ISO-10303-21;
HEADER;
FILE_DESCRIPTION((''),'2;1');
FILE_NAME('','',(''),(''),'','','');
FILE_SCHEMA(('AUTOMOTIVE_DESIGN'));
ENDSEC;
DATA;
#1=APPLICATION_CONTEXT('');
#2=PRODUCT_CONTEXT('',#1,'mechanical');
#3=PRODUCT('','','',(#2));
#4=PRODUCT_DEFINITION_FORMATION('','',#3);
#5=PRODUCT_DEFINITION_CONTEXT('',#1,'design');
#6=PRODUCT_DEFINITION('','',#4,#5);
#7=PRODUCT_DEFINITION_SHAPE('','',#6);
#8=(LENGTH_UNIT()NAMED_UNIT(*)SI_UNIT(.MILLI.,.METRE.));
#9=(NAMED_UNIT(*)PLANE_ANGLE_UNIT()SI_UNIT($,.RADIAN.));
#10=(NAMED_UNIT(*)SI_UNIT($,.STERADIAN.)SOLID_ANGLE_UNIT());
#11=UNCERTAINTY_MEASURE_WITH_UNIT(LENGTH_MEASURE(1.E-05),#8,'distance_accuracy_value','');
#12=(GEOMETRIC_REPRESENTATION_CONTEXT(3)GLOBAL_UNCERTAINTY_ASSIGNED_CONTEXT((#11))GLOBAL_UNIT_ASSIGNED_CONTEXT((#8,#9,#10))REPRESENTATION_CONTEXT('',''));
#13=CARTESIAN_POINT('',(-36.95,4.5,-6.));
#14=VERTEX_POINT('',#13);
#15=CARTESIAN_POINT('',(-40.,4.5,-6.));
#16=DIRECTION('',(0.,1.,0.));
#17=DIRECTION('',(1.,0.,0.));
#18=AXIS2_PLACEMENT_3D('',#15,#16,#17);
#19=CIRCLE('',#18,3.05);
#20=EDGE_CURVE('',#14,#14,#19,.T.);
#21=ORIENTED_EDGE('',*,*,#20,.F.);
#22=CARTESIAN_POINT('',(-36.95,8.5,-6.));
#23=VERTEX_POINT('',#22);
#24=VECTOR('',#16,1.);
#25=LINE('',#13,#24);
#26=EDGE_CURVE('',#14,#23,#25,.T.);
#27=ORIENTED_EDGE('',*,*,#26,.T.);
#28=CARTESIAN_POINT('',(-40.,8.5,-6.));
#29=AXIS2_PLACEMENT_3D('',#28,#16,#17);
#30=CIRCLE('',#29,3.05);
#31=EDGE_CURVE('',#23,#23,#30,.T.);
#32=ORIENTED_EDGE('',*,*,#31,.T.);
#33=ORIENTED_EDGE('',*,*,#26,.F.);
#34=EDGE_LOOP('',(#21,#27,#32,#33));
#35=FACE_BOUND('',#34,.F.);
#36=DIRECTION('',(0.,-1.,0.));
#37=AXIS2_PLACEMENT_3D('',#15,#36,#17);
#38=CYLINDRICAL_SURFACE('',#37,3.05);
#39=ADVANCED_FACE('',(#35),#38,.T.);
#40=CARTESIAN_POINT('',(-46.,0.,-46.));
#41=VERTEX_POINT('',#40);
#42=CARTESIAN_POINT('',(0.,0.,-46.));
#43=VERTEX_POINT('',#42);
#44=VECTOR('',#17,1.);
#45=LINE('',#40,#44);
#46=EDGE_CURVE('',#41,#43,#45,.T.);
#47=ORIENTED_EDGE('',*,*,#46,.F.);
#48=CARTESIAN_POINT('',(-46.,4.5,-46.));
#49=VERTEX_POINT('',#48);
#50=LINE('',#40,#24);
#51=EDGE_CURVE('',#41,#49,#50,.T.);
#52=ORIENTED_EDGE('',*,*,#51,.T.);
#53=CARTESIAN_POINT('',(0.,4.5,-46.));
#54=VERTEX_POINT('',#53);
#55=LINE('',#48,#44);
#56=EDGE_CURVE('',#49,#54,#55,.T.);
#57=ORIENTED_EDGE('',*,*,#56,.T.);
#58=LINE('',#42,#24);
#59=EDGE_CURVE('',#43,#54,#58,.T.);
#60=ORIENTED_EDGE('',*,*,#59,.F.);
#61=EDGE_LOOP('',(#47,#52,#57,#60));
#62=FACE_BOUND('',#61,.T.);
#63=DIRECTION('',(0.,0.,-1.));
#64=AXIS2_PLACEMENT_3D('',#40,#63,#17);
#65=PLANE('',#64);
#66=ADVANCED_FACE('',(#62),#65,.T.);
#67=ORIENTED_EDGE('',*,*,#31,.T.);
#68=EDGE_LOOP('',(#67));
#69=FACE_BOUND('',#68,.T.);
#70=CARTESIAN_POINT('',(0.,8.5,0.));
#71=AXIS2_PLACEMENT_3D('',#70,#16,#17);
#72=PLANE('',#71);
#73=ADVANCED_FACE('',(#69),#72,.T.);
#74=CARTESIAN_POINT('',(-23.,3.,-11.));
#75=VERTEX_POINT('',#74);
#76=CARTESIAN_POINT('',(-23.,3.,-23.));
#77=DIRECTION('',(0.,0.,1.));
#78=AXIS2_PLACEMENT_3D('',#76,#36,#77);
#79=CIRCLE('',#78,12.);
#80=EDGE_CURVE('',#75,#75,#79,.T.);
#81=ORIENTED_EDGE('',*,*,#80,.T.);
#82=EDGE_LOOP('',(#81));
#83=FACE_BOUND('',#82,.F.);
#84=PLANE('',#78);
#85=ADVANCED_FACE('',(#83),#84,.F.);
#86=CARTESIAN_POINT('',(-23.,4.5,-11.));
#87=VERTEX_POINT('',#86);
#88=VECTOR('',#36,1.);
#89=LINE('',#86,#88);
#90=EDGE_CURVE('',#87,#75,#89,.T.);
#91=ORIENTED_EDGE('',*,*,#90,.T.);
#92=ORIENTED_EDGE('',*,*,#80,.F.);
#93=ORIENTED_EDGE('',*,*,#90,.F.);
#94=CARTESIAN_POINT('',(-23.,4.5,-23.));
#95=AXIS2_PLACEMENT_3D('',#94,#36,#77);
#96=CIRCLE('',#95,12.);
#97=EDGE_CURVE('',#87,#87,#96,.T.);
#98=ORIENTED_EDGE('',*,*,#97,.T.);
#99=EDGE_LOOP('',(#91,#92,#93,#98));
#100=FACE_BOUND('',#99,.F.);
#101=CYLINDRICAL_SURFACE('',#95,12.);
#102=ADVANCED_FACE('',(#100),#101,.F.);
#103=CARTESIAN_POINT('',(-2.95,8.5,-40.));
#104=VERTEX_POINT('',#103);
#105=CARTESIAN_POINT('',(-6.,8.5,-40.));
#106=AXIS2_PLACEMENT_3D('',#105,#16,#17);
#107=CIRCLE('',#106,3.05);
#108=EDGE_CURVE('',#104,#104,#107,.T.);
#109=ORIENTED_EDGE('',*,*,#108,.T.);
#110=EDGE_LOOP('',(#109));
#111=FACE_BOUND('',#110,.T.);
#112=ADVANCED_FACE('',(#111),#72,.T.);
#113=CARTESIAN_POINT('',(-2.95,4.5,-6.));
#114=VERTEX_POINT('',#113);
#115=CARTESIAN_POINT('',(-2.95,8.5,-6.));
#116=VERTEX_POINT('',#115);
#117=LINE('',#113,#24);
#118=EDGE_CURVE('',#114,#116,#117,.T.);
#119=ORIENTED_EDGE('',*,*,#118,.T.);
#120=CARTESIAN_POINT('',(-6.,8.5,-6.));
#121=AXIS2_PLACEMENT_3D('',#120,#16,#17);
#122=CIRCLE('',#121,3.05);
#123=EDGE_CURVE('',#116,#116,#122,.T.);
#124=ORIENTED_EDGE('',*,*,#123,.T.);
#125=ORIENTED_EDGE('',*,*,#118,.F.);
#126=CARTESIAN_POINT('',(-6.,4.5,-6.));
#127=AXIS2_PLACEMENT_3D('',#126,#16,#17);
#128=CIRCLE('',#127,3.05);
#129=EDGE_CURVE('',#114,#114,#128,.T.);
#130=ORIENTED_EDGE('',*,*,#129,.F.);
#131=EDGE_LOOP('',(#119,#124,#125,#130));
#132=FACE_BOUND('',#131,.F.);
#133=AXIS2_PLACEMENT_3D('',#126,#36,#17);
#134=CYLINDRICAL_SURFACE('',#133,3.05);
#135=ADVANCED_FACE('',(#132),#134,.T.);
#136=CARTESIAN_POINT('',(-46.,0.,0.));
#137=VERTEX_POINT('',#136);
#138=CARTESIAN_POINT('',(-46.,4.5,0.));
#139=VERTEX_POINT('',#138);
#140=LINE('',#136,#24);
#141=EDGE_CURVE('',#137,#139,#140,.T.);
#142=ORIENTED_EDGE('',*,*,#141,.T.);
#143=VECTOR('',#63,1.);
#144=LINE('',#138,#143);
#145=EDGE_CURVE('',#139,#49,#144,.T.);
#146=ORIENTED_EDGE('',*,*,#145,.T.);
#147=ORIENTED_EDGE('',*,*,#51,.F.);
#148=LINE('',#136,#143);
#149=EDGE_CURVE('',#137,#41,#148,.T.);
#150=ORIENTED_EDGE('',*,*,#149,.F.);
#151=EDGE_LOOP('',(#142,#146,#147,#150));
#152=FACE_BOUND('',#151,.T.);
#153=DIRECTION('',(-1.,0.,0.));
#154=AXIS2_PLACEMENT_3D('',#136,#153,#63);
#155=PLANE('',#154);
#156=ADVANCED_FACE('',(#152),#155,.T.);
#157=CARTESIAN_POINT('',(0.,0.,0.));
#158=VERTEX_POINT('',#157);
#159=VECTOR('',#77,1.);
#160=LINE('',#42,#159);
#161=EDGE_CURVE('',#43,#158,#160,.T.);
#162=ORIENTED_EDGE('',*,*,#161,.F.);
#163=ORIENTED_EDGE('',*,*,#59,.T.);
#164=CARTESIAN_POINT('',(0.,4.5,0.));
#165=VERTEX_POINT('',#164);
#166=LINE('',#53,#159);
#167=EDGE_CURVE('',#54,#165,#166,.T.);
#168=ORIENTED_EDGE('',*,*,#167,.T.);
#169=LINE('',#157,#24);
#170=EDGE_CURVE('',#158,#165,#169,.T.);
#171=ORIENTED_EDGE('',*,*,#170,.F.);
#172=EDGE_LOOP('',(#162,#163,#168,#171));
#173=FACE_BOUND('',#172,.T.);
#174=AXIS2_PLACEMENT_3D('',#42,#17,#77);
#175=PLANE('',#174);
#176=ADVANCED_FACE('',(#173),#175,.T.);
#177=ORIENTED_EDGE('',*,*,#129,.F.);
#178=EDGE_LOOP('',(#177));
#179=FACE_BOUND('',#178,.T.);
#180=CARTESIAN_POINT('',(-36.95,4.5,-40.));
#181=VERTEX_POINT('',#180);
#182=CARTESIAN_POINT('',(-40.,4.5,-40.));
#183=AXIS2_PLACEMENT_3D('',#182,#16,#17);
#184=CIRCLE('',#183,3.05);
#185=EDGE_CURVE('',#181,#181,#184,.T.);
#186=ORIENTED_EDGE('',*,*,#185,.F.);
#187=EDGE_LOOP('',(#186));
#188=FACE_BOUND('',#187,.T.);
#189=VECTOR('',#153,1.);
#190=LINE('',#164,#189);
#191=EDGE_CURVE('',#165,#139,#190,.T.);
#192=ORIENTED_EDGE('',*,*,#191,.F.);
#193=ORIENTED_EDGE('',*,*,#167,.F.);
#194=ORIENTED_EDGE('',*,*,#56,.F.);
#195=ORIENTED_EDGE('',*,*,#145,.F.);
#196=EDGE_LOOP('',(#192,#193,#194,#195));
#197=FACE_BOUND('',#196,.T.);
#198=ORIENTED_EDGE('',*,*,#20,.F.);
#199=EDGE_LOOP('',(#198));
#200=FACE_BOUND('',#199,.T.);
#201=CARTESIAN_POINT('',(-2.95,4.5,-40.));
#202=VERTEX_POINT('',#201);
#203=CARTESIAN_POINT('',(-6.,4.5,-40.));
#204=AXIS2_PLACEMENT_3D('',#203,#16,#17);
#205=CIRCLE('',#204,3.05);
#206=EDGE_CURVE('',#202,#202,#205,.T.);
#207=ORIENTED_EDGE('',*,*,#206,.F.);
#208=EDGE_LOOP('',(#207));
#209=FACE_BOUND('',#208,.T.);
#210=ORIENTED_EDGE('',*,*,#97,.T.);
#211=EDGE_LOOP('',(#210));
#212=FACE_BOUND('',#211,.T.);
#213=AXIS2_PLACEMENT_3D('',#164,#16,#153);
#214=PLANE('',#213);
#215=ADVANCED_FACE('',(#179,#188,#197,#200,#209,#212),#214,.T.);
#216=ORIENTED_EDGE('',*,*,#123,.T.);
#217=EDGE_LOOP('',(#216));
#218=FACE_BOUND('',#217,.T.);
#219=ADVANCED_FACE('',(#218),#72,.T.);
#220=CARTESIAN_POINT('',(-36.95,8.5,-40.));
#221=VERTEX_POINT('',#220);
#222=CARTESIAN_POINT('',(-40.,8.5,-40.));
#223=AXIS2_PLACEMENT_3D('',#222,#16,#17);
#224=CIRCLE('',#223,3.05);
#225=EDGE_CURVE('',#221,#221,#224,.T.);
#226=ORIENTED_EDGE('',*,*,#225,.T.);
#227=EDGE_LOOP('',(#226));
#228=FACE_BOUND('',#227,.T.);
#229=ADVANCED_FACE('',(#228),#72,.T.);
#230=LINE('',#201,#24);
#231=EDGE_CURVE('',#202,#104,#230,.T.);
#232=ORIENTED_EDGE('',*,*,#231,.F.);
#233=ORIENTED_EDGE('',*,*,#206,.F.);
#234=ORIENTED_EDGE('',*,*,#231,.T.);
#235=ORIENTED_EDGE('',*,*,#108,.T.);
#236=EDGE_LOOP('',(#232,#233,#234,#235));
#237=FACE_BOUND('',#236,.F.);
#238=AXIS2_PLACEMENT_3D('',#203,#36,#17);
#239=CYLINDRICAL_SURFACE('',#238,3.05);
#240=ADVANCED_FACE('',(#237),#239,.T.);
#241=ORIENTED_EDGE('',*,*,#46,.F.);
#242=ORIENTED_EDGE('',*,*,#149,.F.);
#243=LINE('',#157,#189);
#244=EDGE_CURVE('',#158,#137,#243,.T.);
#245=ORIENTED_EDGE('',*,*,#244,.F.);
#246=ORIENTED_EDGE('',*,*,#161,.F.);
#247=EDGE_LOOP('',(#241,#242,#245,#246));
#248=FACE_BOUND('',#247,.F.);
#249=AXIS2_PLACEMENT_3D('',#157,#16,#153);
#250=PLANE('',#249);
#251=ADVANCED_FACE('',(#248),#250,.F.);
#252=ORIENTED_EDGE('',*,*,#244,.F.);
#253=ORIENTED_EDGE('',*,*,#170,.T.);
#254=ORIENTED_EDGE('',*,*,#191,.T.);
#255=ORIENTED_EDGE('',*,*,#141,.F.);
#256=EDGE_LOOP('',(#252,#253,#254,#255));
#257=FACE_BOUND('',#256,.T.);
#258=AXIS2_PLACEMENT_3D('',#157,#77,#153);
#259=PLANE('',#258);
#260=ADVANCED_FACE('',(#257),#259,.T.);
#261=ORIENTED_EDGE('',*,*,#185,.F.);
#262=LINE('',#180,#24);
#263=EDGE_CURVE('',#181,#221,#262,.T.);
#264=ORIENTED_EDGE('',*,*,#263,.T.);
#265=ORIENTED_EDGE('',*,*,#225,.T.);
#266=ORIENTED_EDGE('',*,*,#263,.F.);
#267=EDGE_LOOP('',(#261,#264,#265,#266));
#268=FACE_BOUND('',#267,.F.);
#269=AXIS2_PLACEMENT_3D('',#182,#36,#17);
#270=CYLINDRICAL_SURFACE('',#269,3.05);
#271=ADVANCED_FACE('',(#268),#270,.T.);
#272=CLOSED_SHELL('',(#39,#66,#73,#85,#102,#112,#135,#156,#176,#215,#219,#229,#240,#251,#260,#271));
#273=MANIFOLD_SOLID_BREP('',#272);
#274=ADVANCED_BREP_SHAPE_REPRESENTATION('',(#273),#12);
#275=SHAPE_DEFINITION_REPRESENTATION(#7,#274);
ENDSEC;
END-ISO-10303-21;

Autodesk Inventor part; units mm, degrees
ref_plane "YZ Plane" through (0, 0, 0) normal (1, 0, 0) x (0, 1, 0)
ref_plane "XZ Plane" through (0, 0, 0) normal (0, 1, 0) x (-1, 0, 0)
ref_plane "XY Plane" through (0, 0, 0) normal (0, 0, 1) x (1, 0, 0)
sketch "Sketch1" plane through (0, 0, 0) normal (0, 1, 0) x (-1, 0, 0)
  line L0 (0, 0) -> (46, 0)
  line L1 (46, 0) -> (46, -46)
  line L2 (46, -46) -> (0, -46)
  line L3 (0, -46) -> (0, 0)
  dimension "d0" = 46
  dimension "d1" = 46
extrude "Extrusion1" add sketch "Sketch1" along normal blind 4.5
sketch "Sketch2" plane through (0, 4.5, 0) normal (0, 1, 0) x (1, 0, 0)
  circle A0 centre (-40, 6) radius 3.05
  line L0 (-46, 0) -> (-46, 46) projected
  line L1 (-46, 0) -> (0, 0) projected
  circle A1 centre (-40, 40) radius 3.05
  line L2 (0, 46) -> (-46, 46) projected
  circle A2 centre (-6, 6) radius 3.05
  line L3 (0, 0) -> (0, 46) projected
  circle A3 centre (-6, 40) radius 3.05
  dimension "d4" = 6.1
  dimension "d5" = 6
  dimension "d6" = 6
  dimension "d7" = 6.1
  dimension "d8" = 6
  dimension "d9" = 6
  dimension "d10" = 6.1
  dimension "d11" = 6
  dimension "d12" = 6
  dimension "d13" = 6.1
  dimension "d16" = 6
  dimension "d17" = 6
extrude "Extrusion2" add sketch "Sketch2" along normal blind 4 contours A0 | A1 | A2 | A3
sketch "Sketch3" plane through (0, 4.5, 0) normal (0, 1, 0) x (1, 0, 0)
  circle A0 centre (-23, 23) radius 12
  point P0 (0, 0)
  dimension "d18" = 24
hole "Hole1" at (-23, 4.5, -23) direction (0, -1, 0) diameter 24 depth 1.5
properties part number "RotatorTop"
